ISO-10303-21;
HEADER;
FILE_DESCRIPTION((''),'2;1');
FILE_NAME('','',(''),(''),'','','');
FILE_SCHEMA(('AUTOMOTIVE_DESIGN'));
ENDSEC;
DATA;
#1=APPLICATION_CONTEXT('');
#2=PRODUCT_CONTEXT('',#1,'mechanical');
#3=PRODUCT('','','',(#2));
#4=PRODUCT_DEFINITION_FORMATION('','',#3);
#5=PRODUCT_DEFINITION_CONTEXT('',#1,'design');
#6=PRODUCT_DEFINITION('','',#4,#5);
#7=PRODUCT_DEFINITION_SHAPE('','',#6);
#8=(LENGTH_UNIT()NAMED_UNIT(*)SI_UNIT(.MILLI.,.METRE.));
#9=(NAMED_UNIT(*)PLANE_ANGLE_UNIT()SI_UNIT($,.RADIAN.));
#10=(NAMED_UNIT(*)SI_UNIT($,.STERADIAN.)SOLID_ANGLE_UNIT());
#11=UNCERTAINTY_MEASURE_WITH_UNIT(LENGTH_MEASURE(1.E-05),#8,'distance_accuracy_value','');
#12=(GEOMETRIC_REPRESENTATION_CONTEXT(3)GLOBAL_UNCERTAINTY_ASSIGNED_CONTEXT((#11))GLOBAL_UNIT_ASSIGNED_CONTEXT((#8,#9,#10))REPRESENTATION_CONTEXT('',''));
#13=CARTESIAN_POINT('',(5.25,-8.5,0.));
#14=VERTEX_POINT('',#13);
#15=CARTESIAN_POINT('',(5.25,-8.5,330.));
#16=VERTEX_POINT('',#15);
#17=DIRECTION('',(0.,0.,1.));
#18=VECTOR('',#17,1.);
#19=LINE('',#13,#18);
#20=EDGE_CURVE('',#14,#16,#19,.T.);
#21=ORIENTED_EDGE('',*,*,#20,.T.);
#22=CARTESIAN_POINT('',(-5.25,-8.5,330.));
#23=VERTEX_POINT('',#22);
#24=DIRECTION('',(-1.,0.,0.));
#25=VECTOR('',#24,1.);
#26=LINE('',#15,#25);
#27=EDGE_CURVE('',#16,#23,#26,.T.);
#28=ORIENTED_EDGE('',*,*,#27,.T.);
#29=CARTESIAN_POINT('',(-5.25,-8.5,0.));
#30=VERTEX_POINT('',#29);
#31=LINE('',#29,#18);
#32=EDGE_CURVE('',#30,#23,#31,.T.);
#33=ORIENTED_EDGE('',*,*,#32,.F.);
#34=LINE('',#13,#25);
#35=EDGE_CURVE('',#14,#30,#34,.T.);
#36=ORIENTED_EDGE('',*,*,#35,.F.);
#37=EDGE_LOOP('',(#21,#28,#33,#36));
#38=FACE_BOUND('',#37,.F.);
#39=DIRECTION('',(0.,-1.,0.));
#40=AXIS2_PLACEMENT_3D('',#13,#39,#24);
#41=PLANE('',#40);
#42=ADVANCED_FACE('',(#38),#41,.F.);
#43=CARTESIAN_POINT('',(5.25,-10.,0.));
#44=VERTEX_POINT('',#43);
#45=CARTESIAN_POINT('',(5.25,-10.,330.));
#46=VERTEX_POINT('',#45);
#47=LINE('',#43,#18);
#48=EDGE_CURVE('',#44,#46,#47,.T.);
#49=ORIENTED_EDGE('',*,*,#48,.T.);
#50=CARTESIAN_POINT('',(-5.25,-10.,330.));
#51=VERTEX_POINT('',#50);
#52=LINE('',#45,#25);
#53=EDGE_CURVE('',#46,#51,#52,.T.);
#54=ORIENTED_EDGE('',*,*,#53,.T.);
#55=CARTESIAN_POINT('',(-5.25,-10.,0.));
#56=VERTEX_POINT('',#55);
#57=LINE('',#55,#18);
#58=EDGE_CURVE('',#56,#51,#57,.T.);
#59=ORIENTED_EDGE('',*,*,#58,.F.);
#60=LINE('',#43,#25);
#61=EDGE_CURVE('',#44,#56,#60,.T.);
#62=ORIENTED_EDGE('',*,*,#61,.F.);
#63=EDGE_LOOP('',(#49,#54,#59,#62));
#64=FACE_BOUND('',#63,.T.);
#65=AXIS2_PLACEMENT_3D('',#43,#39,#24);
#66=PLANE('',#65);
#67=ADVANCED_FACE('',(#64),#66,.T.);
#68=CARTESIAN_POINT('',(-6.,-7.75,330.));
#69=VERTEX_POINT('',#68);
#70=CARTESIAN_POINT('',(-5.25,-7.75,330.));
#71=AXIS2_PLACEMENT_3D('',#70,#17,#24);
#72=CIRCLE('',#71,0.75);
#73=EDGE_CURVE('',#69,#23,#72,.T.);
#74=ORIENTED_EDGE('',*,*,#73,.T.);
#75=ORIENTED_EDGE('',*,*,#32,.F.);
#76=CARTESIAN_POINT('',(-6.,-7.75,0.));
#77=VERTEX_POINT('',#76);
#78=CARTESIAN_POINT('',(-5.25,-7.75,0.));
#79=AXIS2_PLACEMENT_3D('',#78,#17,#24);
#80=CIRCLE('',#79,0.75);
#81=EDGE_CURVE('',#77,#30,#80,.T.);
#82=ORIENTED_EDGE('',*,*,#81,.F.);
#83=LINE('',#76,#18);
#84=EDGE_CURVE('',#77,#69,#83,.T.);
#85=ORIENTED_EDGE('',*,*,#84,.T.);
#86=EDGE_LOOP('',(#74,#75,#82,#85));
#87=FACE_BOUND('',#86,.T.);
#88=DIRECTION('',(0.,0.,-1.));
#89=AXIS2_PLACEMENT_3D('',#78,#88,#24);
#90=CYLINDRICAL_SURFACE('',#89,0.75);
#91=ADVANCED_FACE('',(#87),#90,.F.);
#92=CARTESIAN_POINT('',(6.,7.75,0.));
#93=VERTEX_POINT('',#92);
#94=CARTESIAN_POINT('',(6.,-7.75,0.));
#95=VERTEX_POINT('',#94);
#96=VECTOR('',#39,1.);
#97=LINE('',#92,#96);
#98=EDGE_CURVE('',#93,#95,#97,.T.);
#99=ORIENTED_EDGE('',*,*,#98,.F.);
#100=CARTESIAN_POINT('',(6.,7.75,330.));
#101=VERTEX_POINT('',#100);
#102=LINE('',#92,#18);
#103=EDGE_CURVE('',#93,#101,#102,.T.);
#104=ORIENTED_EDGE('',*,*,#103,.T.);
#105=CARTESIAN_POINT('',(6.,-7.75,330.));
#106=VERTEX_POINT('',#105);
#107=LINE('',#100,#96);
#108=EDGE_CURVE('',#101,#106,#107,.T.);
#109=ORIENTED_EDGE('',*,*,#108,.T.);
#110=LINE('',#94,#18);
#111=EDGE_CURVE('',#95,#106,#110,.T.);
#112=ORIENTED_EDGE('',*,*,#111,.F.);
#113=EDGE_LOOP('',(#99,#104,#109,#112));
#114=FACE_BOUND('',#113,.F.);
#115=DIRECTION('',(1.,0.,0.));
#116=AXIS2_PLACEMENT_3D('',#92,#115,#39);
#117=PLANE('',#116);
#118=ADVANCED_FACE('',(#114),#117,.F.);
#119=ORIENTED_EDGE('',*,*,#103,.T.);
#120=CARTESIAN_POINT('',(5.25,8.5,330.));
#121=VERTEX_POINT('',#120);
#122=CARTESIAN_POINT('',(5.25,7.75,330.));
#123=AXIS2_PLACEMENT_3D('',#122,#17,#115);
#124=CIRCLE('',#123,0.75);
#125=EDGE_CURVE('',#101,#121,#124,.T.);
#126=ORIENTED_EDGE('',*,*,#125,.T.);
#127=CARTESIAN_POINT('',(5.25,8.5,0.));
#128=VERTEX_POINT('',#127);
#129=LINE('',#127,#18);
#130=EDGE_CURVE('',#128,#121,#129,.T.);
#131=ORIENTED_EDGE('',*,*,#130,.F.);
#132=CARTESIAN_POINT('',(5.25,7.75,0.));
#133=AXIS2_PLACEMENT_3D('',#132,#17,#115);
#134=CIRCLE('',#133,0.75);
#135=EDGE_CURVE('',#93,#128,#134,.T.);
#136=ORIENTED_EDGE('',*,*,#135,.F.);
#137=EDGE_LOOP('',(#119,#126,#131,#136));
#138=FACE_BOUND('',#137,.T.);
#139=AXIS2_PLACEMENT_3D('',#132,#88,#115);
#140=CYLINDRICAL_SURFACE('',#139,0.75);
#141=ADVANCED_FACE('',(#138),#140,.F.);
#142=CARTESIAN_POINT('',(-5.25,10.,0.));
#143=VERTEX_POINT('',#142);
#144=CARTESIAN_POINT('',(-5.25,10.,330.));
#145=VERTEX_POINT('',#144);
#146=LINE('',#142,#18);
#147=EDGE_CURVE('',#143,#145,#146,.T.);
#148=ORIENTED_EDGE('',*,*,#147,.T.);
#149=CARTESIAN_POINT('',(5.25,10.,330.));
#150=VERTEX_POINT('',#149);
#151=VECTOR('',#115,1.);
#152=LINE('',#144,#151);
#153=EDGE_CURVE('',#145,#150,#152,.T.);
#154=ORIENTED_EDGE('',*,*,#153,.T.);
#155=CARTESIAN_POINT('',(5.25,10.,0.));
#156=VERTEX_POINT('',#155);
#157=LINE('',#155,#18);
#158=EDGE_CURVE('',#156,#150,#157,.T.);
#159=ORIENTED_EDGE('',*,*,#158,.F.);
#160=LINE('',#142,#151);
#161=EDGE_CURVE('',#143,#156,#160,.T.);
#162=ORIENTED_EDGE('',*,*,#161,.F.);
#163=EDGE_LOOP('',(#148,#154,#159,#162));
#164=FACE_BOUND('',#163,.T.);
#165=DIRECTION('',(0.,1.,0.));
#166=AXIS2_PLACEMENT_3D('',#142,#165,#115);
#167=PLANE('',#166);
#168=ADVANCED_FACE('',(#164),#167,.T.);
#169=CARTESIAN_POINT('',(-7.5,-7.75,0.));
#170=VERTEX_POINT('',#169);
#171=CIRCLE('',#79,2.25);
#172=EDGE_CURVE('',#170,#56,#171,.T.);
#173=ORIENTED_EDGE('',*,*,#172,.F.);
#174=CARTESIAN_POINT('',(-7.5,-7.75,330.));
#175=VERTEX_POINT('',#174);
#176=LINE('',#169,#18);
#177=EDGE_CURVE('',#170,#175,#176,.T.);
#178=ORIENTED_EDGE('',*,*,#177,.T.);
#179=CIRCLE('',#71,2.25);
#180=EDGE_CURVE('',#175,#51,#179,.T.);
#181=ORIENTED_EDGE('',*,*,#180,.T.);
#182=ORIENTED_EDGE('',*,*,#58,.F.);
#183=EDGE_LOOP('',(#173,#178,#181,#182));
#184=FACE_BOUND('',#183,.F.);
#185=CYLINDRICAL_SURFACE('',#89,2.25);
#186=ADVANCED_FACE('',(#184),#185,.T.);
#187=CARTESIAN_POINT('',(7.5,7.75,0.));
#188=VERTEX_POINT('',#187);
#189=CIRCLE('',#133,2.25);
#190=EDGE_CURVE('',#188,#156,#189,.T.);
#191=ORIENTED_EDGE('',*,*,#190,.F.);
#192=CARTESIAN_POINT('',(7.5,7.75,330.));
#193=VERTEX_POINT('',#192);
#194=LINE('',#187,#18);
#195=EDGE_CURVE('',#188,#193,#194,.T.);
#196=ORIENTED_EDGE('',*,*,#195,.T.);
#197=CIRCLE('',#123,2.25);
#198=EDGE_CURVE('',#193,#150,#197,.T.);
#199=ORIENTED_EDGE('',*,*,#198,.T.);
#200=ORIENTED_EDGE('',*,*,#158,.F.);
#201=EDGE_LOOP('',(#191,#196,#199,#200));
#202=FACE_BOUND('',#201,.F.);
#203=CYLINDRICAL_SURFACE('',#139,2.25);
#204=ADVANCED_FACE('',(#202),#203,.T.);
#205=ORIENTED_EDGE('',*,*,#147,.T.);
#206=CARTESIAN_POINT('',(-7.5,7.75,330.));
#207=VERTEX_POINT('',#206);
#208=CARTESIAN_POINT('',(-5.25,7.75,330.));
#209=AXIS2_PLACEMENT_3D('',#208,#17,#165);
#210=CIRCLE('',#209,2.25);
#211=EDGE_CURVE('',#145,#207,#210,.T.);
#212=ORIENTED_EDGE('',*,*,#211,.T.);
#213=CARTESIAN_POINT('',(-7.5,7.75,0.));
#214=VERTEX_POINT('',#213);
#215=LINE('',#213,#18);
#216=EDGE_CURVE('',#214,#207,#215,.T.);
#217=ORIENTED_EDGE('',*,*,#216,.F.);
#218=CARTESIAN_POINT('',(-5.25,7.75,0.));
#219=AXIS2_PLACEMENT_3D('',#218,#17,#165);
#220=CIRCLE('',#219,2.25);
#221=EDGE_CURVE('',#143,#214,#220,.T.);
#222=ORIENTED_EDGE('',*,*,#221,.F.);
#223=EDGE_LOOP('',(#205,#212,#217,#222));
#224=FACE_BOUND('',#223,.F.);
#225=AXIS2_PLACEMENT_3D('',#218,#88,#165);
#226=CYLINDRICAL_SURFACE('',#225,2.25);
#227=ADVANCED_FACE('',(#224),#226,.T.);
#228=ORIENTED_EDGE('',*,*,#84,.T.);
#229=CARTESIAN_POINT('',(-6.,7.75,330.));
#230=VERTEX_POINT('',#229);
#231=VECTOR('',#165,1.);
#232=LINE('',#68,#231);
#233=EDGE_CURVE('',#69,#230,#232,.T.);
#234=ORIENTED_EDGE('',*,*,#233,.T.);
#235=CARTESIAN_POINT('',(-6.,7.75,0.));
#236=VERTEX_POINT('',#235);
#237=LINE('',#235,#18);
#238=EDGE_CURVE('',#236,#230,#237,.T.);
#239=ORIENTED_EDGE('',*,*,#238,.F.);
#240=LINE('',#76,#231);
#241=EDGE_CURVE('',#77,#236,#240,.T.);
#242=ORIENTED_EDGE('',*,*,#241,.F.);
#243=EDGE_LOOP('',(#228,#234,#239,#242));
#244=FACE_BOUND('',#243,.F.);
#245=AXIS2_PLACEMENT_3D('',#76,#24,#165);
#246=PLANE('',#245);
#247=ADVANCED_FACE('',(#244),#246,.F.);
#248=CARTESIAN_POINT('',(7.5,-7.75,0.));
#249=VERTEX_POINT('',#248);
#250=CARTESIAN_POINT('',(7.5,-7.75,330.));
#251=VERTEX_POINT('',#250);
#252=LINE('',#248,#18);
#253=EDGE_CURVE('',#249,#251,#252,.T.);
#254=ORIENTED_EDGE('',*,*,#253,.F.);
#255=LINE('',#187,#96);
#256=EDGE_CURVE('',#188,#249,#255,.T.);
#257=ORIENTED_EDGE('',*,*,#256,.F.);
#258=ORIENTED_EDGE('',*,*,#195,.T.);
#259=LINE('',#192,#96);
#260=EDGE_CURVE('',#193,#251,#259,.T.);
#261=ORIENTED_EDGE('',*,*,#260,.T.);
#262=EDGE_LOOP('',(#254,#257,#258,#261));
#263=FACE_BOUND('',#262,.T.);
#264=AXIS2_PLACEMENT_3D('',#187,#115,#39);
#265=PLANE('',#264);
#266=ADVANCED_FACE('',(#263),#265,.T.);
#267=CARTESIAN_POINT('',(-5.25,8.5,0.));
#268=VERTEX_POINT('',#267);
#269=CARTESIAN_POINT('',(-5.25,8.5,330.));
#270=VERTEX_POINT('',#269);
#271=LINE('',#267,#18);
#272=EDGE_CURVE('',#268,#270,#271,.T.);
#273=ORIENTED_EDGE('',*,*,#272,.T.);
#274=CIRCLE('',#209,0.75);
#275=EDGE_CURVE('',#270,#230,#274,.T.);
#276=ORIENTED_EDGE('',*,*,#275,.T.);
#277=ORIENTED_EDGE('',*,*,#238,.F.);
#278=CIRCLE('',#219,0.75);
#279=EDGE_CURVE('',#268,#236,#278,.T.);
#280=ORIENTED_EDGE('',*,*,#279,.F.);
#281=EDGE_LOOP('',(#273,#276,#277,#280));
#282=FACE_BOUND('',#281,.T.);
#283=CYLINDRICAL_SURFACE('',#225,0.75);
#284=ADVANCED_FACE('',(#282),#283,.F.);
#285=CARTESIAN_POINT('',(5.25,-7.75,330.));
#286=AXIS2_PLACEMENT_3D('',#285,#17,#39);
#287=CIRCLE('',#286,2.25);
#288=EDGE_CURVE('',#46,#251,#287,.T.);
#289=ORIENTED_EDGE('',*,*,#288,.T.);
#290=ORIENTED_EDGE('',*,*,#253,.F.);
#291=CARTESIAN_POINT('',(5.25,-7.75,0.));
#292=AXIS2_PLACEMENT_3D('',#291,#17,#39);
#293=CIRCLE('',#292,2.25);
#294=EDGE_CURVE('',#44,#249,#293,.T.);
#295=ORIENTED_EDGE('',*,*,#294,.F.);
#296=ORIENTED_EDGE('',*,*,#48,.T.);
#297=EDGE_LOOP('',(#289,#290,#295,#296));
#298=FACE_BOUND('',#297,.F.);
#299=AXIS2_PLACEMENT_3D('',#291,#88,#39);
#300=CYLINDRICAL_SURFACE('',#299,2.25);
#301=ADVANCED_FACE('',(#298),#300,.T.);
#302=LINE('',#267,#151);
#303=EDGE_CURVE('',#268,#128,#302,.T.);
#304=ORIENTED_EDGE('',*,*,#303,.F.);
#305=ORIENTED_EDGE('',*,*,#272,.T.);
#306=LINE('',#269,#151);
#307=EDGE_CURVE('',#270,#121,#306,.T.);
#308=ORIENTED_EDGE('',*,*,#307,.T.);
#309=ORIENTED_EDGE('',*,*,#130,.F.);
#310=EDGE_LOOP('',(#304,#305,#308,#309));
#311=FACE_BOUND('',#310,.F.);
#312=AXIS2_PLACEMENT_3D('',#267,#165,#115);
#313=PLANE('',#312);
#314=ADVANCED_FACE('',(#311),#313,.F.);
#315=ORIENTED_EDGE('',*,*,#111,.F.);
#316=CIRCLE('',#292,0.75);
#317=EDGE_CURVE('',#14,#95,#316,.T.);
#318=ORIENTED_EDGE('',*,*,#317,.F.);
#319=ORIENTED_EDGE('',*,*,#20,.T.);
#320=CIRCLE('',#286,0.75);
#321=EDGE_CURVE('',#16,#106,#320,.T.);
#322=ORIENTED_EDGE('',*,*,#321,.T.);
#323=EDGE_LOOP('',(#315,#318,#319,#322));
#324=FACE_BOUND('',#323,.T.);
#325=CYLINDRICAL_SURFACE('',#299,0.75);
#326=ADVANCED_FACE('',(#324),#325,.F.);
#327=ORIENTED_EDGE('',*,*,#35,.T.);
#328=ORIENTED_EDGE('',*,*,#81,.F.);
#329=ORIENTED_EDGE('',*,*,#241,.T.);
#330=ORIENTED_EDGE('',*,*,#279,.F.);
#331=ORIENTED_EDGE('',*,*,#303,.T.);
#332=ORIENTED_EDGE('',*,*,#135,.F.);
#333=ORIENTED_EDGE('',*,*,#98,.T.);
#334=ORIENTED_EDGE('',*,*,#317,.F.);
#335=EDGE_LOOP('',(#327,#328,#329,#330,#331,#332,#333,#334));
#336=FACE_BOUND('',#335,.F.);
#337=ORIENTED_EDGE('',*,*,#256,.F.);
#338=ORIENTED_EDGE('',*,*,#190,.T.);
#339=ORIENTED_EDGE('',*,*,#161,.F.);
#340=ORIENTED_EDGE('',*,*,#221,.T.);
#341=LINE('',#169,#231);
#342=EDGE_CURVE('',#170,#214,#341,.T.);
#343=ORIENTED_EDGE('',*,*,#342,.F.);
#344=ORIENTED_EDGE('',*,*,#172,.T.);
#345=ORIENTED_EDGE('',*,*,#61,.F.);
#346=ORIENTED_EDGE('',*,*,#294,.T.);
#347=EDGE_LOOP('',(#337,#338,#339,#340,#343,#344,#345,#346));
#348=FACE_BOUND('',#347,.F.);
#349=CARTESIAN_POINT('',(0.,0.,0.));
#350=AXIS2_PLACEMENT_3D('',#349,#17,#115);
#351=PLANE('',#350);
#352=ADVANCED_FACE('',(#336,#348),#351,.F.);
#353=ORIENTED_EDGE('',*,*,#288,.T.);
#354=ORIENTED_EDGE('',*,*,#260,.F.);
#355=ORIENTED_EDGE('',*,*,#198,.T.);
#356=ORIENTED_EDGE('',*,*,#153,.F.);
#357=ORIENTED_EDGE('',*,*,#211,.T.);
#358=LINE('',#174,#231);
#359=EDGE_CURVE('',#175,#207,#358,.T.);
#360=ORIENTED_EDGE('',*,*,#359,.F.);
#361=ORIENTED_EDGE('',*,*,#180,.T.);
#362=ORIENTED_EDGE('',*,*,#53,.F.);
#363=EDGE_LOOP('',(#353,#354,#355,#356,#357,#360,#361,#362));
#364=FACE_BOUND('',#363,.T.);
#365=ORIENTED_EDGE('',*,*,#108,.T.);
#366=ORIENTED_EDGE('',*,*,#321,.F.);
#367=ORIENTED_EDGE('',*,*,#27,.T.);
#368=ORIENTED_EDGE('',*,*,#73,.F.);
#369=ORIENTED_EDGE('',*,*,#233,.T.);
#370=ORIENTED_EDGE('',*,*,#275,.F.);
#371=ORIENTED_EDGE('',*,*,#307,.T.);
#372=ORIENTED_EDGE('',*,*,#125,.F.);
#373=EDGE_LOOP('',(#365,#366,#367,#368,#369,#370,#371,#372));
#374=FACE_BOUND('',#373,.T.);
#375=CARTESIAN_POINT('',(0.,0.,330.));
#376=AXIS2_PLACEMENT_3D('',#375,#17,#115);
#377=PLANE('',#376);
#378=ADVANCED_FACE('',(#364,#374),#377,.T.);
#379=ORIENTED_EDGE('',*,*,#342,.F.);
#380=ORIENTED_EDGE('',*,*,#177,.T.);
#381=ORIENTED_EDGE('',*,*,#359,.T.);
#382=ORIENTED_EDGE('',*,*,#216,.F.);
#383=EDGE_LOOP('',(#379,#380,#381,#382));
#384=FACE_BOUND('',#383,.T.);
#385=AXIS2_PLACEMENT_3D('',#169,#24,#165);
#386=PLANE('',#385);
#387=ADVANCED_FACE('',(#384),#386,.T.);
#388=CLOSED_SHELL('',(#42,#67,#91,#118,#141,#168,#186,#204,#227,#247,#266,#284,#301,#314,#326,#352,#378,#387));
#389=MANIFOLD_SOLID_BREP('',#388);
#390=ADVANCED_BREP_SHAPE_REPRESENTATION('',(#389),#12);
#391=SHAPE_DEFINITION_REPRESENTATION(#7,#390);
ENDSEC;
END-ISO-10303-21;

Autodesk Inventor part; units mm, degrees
ref_plane "Start plane" through (0, 0, 0) normal (0, 0, 1) x (1, 0, 0)
ref_plane "End plane" through (0, 0, 330) normal (0, 0, 1) x (1, 0, 0)
sketch "Sketch" plane through (0, 0, 0) normal (0, 0, 1) x (1, 0, 0)
  line L0 (-7.5, -7.75) -> (-7.5, 7.75)
  line L1 (-5.25, 10) -> (5.25, 10)
  line L2 (7.5, 7.75) -> (7.5, -7.75)
  line L3 (5.25, -10) -> (-5.25, -10)
  arc A0 (-7.5, -7.75) -> (-5.25, -10) centre (-5.25, -7.75) ccw
  arc A1 (-5.25, 10) -> (-7.5, 7.75) centre (-5.25, 7.75) ccw
  arc A2 (7.5, 7.75) -> (5.25, 10) centre (5.25, 7.75) ccw
  arc A3 (5.25, -10) -> (7.5, -7.75) centre (5.25, -7.75) ccw
  arc A4 (-5.25, 8.5) -> (-6, 7.75) centre (-5.25, 7.75) ccw
  line L4 (-5.25, 8.5) -> (5.25, 8.5)
  arc A5 (6, 7.75) -> (5.25, 8.5) centre (5.25, 7.75) ccw
  line L5 (6, 7.75) -> (6, -7.75)
  arc A6 (5.25, -8.5) -> (6, -7.75) centre (5.25, -7.75) ccw
  line L6 (5.25, -8.5) -> (-5.25, -8.5)
  arc A7 (-6, -7.75) -> (-5.25, -8.5) centre (-5.25, -7.75) ccw
  line L7 (-6, -7.75) -> (-6, 7.75)
  line L8 (0, 14.6524) -> (0, -14.6524) construction
  line L9 (-11.5592, 0) -> (13.5932, 0) construction
  dimension "d7" = 2.25
  dimension "d10" = 20
  dimension "d11" = 15
  dimension "d12" = 1.5
  dimension "d15" = 10
  dimension "d16" = 7.5
extrude "Body" add sketch "Sketch" along normal up to surface (330 mm away) from surface at 0
sketch "Sketch3" plane through (0, 0, 0) normal (0, 0, 1) x (1, 0, 0)
  line L0 (0, 0) -> (10, 0)
ref_plane "Work Plane3" through (0, 0, 0) normal (0, -1, 0) x (1, 0, 0)
sketch "Sketch4" plane through (0, 0, 0) normal (0, -1, 0) x (1, 0, 0)
  line L0 (-2, 0) -> (12, 0)
  line L1 (-2, 330) -> (12, 330)
  dimension "d18" = 330
ref_plane "Work Plane4" through (39.5, -279, 0) normal (0, 0, -1) x (-1, 0, 0)
split "Split1" plane through (39.5, -279, 0) removes the side toward (0, 0, -1)
ref_plane "Work Plane5" through (-4.5, -279, 330) normal (0, 0, 1) x (1, 0, 0)
split "Split2" plane through (-4.5, -279, 330) removes the side toward (0, 0, 1)
equation "\"d7\" = G_IR"
equation "\"d10\" = G_H"
equation "\"d11\" = G_W"
equation "\"d12\" = G_T"
equation "\"d15\" = 0.5 * d10"
equation "\"d16\" = 0.5 * d11"
equation "\"d3\" = G_L"
equation "\"G_W\" = 15"
equation "\"G_H\" = 20"
equation "\"G_T\" = 1.5"
equation "\"G_IR\" = 2.25"
equation "\"G_L\" = d18"
equation "\"G_OFFSET_START\" = 0"
equation "\"G_OFFSET_END\" = -40"
equation "\"d14\" = G_OFFSET_END + B_L"
equation "\"B_L\" = 370"
properties part number "UNI EN 10305-5 - 20 x 15 x 1,5  - 330" material "Steel, Mild"
